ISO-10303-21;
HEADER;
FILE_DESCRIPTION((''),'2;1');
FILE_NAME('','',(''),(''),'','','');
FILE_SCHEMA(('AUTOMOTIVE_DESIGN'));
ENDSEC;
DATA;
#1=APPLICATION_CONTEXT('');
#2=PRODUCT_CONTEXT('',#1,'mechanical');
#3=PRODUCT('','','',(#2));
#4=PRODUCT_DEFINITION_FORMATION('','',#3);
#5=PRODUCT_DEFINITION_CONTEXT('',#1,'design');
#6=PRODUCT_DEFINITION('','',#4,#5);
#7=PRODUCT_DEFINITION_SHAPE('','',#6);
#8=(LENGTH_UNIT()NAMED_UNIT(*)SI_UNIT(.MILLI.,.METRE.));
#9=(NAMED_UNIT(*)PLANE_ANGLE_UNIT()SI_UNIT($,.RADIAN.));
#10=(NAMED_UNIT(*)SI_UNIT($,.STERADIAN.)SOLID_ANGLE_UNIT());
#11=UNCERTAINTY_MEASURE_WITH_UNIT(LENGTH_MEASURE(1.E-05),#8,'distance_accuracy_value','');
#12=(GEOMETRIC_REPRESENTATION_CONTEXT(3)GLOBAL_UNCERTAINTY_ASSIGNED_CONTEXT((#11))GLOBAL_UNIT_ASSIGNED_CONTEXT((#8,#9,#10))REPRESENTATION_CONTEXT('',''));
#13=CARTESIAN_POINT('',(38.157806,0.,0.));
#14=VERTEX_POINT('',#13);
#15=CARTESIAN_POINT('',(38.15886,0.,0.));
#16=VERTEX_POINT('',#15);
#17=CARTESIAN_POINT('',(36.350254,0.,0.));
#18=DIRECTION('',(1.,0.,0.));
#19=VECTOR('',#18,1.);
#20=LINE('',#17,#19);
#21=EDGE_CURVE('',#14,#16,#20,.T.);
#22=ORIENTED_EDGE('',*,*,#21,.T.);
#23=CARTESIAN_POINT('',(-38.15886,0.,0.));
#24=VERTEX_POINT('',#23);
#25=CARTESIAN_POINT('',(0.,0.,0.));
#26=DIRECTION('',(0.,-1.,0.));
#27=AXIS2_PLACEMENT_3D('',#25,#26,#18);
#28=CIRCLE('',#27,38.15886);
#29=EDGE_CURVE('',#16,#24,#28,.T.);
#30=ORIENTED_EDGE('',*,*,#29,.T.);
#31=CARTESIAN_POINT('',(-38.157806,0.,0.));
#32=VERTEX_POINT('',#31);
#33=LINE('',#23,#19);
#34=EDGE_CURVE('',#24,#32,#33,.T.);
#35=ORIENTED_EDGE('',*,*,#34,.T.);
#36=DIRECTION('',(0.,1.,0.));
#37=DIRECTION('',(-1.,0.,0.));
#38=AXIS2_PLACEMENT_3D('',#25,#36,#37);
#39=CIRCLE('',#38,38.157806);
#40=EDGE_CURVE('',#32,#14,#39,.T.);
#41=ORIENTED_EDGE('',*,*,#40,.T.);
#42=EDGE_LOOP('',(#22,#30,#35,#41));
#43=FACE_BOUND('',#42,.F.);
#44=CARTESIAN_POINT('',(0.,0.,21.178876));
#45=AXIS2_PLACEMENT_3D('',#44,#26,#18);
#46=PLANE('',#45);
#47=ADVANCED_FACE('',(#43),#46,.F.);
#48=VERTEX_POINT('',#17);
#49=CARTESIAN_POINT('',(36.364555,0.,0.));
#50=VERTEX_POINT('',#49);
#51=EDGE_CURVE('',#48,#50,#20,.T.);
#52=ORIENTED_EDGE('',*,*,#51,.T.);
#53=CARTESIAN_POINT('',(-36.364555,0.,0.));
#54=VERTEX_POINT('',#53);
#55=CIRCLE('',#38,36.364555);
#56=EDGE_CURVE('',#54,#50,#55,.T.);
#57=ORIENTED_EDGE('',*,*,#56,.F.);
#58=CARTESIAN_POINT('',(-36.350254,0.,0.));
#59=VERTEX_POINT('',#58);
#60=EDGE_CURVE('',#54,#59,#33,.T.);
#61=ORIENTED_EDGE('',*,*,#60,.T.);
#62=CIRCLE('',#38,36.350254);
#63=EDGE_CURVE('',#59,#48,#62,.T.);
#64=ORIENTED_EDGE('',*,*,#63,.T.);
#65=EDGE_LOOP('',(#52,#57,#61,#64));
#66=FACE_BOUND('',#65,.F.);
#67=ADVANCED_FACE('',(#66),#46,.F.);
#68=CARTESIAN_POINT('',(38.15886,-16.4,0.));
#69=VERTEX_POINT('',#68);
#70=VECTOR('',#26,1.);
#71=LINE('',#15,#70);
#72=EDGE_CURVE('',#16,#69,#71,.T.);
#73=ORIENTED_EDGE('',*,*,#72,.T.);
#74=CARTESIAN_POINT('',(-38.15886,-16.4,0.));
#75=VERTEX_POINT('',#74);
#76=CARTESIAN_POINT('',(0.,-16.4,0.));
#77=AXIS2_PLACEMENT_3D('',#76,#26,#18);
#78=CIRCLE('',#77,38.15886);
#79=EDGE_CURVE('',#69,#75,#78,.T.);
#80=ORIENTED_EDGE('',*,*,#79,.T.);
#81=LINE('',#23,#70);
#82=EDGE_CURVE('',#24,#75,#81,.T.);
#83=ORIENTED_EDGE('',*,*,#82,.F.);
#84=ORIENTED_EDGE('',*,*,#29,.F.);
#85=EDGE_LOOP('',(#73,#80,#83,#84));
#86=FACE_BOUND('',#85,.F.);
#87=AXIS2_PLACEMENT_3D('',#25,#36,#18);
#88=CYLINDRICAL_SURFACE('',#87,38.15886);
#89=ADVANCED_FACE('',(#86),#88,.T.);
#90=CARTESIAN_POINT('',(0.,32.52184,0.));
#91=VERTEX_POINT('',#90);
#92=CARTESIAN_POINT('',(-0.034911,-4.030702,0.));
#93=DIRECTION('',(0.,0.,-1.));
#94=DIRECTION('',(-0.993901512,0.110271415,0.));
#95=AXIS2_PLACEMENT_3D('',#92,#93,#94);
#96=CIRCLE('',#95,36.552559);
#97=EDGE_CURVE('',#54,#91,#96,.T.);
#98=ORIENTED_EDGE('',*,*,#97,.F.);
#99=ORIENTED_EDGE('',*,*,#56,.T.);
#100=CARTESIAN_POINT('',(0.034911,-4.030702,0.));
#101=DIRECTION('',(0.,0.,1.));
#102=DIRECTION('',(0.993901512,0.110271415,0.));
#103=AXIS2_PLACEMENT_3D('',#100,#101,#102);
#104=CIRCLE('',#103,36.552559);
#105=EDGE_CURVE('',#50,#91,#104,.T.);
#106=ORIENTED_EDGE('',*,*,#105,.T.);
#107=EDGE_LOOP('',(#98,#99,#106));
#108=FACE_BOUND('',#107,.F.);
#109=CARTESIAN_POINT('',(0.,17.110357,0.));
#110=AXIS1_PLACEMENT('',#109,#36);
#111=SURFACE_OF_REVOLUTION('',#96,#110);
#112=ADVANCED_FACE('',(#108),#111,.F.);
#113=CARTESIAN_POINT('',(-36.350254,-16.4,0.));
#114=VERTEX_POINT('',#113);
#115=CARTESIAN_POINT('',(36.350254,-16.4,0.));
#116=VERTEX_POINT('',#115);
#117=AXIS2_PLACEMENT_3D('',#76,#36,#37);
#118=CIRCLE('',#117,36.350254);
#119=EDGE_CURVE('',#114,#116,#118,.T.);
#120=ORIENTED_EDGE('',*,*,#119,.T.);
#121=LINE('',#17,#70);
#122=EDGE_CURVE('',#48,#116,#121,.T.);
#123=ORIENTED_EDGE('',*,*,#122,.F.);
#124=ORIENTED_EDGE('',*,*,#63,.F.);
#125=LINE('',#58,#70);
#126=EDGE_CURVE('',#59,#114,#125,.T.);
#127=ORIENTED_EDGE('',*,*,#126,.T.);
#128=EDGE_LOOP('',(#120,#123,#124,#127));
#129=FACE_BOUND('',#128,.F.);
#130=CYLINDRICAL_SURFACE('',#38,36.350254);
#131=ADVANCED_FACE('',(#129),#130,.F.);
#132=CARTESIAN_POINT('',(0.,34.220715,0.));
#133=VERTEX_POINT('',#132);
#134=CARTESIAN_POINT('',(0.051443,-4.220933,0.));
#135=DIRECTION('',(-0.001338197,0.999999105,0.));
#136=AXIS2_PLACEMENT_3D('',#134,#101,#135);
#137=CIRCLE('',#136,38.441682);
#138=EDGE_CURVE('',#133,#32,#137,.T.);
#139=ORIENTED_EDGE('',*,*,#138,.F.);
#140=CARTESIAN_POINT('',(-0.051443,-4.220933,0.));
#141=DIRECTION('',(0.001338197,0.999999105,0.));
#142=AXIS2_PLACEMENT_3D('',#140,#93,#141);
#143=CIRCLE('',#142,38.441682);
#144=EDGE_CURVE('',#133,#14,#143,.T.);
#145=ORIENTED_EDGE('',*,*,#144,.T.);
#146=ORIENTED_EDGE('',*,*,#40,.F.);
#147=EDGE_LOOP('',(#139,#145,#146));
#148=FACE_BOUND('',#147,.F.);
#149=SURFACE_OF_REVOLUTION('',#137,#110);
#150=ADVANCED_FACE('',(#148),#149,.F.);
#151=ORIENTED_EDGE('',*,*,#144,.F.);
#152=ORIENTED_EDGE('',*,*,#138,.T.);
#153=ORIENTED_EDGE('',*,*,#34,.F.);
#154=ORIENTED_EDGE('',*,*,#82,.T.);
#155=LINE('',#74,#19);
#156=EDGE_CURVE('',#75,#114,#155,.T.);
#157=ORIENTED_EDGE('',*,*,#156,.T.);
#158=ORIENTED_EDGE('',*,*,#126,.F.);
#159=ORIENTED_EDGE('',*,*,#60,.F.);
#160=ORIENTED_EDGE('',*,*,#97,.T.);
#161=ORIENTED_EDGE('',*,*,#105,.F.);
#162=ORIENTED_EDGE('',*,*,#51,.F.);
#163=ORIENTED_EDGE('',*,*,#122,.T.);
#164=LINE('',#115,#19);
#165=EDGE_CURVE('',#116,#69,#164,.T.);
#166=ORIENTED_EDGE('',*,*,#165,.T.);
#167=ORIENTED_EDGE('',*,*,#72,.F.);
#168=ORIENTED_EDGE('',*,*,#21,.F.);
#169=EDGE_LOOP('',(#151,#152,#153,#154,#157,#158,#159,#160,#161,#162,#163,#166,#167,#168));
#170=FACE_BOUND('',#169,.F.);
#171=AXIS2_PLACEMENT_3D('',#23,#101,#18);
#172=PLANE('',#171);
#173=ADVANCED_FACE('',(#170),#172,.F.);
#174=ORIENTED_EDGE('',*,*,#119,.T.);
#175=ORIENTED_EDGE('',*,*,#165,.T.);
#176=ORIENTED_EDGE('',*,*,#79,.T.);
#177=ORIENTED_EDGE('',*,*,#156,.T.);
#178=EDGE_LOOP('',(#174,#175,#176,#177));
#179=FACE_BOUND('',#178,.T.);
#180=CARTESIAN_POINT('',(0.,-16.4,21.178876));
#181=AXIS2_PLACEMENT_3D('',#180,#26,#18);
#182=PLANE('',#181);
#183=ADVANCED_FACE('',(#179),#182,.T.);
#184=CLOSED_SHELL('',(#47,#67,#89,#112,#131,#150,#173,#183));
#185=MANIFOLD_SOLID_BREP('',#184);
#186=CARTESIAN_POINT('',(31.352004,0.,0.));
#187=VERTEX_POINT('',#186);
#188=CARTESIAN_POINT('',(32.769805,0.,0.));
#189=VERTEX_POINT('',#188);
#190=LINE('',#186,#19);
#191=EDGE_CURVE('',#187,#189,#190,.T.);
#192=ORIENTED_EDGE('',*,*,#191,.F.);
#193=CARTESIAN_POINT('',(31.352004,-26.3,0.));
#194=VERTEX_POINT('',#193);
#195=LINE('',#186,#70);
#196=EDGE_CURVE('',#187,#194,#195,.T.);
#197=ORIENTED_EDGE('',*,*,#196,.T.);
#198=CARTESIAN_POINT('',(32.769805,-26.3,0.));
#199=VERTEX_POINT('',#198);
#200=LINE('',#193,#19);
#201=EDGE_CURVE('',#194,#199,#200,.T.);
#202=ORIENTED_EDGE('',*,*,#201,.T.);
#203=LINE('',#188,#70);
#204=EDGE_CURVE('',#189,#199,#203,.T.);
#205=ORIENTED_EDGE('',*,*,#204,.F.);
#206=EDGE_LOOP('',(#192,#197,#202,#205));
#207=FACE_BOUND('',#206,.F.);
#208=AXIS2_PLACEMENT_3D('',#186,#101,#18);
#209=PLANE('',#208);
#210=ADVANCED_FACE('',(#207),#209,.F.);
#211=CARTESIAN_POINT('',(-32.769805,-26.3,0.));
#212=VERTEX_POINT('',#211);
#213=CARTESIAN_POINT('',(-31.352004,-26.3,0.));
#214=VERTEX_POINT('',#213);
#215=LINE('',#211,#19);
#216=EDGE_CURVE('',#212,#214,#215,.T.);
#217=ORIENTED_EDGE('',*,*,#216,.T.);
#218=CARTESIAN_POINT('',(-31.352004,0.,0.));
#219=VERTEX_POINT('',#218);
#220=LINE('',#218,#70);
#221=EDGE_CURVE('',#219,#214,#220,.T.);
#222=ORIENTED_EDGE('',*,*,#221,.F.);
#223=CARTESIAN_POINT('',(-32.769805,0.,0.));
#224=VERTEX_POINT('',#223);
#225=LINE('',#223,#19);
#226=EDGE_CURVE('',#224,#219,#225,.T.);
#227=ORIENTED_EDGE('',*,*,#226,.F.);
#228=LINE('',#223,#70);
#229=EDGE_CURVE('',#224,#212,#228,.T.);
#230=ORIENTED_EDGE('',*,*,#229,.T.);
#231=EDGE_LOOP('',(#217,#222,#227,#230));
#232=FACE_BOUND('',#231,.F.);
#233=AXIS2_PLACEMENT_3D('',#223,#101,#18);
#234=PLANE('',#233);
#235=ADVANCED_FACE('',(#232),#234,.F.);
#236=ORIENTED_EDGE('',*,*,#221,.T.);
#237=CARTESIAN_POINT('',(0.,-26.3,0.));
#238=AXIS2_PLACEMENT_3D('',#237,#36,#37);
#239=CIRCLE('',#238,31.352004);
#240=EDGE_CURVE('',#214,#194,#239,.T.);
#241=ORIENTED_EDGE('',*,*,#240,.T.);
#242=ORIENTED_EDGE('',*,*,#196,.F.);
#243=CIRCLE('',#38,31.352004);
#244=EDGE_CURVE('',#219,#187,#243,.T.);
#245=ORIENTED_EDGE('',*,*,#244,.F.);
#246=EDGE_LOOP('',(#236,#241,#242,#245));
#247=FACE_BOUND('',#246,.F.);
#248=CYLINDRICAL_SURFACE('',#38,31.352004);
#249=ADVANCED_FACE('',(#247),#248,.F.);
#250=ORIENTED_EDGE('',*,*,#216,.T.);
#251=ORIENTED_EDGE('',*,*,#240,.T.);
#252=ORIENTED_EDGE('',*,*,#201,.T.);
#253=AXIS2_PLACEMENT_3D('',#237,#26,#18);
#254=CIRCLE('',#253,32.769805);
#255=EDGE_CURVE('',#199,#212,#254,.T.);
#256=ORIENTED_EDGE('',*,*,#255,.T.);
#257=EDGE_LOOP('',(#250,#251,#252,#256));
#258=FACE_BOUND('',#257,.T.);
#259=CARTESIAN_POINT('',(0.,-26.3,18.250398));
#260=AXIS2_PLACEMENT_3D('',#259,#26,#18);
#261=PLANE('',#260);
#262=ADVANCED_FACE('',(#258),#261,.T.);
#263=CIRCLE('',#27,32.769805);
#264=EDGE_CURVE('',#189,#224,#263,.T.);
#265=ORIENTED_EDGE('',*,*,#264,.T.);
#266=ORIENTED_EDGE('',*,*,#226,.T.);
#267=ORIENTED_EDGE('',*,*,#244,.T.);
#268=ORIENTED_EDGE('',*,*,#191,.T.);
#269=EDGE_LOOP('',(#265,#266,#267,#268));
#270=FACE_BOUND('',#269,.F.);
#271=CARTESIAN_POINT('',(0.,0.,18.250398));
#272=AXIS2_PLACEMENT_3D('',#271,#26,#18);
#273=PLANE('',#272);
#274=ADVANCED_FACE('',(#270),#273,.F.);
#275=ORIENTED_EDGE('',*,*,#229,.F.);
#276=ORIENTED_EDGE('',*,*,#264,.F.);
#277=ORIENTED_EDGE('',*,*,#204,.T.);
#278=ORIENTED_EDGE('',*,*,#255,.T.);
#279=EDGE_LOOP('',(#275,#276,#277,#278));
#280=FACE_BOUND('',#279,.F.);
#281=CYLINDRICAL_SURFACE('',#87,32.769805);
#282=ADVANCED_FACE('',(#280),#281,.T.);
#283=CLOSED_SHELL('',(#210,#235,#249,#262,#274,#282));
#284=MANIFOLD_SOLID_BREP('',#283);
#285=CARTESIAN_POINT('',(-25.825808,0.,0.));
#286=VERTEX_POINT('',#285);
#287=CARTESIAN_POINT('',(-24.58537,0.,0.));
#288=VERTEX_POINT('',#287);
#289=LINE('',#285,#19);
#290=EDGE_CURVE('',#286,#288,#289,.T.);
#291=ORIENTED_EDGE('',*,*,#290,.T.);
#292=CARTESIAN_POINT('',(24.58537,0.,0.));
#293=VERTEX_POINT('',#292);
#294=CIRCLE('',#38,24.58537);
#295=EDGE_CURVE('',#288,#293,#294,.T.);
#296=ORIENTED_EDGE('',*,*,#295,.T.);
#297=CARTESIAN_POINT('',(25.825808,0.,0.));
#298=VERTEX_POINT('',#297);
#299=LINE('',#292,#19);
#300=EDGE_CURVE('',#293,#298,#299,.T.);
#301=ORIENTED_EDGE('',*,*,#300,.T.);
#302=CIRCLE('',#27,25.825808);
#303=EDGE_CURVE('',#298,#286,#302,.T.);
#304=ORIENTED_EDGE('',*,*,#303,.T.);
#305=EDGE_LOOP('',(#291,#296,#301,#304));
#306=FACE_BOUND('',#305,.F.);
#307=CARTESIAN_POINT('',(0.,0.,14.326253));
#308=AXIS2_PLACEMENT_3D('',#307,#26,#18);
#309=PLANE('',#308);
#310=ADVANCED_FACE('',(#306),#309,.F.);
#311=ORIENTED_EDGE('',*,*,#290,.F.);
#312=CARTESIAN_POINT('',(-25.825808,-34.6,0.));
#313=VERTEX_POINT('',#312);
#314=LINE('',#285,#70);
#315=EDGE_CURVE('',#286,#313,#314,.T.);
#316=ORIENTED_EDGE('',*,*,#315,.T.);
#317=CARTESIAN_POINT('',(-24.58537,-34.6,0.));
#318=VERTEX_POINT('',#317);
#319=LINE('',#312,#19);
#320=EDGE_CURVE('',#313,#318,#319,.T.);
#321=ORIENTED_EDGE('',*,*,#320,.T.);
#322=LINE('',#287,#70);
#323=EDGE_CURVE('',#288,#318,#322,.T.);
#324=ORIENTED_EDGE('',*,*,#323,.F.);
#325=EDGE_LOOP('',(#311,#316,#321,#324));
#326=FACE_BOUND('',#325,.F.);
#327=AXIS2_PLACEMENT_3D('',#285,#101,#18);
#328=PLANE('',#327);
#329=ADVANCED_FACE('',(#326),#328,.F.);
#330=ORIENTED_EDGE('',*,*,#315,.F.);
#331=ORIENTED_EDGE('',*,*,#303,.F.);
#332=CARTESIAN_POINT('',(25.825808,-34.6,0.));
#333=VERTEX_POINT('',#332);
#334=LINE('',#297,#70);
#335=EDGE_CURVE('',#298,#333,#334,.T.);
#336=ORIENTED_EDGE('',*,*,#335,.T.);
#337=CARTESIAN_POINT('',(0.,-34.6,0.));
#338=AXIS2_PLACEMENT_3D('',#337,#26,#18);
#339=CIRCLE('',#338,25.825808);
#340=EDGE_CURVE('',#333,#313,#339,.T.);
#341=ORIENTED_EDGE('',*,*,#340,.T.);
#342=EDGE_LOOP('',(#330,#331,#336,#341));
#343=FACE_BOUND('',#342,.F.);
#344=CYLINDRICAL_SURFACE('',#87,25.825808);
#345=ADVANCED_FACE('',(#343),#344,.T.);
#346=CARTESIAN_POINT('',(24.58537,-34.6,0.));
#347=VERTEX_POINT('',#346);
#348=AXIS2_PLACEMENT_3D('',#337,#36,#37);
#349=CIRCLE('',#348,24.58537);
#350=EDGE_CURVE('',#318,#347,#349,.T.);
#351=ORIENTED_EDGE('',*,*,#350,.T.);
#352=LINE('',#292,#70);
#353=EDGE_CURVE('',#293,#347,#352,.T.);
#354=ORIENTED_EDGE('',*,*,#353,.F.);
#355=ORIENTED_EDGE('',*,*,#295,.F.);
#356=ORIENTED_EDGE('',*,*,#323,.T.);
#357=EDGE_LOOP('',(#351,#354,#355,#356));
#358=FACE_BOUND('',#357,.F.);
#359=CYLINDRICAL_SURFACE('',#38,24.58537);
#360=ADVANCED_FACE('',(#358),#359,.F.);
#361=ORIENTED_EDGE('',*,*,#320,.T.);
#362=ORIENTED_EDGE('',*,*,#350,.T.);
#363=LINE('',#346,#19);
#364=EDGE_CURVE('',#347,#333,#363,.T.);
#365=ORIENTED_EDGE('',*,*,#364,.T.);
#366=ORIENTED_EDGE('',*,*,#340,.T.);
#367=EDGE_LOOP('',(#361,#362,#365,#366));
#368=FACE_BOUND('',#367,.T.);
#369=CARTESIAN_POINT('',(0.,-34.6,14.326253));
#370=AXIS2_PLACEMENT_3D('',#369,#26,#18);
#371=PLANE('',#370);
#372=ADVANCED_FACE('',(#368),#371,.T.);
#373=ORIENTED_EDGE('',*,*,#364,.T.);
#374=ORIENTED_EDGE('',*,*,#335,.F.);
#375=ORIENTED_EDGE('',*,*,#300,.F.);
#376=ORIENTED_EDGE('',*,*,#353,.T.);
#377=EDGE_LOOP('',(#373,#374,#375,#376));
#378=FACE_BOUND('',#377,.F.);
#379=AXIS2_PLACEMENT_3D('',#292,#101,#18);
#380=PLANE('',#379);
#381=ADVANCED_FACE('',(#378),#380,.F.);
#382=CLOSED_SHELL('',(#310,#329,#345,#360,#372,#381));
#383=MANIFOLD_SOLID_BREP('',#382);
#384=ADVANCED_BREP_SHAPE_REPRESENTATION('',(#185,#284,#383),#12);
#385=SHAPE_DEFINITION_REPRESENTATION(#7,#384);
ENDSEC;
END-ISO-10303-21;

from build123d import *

# Parameters (mm, degrees)
F1_DEPTH = 34.6
F2_DEPTH = 26.3
F3_DEPTH = 16.4
F5_ANGLE = 180


with BuildPart() as f1:
    # F0 (on Front) → F1 (new body)
    with BuildSketch(Plane.XZ):
        with BuildLine():
            ThreePointArc((-24.58537, 0), (0, 24.58537), (24.58537, 0))
            Line((24.58537, 0), (25.825808, 0))
            ThreePointArc((25.825808, 0), (0, 25.825808), (-25.825808, 0))
            Line((-25.825808, 0), (-24.58537, 0))
        make_face()
    extrude(amount=F1_DEPTH)


with BuildPart() as f2:
    # F0 (on Front) → F2 (new body)
    with BuildSketch(Plane.XZ):
        with BuildLine():
            ThreePointArc((-31.352004, 0), (0, 31.352004), (31.352004, 0))
            Line((31.352004, 0), (32.769805, 0))
            ThreePointArc((32.769805, 0), (0, 32.769805), (-32.769805, 0))
            Line((-32.769805, 0), (-31.352004, 0))
        make_face()
    extrude(amount=F2_DEPTH)


with BuildPart() as f3:
    # F0 (on Front) → F3 (new body)
    with BuildSketch(Plane.XZ):
        with BuildLine():
            ThreePointArc((-36.350254, 0), (0, 36.350254), (36.350254, 0))
            Line((36.350254, 0), (38.15886, 0))
            ThreePointArc((38.15886, 0), (0, 38.15886), (-38.15886, 0))
            Line((-38.15886, 0), (-36.350254, 0))
        make_face()
    extrude(amount=F3_DEPTH)

    # F4 (on Top) → F5 (revolve)
    with BuildSketch(Plane.XY):
        with BuildLine():
            Line((0, 32.52184), (0, 34.220715))
            ThreePointArc((0, 34.220715), (-25.61438, 24.397741), (-38.157806, 0))
            Line((-38.157806, 0), (-36.364555, 0))
            ThreePointArc((-36.364555, 0), (-24.401783, 23.215309), (0, 32.52184))
        make_face()
    revolve(axis=Axis((0, 17.110357, 0), (0, 1, 0)), revolution_arc=F5_ANGLE)


solid = Compound([f1.part, f2.part, f3.part])
